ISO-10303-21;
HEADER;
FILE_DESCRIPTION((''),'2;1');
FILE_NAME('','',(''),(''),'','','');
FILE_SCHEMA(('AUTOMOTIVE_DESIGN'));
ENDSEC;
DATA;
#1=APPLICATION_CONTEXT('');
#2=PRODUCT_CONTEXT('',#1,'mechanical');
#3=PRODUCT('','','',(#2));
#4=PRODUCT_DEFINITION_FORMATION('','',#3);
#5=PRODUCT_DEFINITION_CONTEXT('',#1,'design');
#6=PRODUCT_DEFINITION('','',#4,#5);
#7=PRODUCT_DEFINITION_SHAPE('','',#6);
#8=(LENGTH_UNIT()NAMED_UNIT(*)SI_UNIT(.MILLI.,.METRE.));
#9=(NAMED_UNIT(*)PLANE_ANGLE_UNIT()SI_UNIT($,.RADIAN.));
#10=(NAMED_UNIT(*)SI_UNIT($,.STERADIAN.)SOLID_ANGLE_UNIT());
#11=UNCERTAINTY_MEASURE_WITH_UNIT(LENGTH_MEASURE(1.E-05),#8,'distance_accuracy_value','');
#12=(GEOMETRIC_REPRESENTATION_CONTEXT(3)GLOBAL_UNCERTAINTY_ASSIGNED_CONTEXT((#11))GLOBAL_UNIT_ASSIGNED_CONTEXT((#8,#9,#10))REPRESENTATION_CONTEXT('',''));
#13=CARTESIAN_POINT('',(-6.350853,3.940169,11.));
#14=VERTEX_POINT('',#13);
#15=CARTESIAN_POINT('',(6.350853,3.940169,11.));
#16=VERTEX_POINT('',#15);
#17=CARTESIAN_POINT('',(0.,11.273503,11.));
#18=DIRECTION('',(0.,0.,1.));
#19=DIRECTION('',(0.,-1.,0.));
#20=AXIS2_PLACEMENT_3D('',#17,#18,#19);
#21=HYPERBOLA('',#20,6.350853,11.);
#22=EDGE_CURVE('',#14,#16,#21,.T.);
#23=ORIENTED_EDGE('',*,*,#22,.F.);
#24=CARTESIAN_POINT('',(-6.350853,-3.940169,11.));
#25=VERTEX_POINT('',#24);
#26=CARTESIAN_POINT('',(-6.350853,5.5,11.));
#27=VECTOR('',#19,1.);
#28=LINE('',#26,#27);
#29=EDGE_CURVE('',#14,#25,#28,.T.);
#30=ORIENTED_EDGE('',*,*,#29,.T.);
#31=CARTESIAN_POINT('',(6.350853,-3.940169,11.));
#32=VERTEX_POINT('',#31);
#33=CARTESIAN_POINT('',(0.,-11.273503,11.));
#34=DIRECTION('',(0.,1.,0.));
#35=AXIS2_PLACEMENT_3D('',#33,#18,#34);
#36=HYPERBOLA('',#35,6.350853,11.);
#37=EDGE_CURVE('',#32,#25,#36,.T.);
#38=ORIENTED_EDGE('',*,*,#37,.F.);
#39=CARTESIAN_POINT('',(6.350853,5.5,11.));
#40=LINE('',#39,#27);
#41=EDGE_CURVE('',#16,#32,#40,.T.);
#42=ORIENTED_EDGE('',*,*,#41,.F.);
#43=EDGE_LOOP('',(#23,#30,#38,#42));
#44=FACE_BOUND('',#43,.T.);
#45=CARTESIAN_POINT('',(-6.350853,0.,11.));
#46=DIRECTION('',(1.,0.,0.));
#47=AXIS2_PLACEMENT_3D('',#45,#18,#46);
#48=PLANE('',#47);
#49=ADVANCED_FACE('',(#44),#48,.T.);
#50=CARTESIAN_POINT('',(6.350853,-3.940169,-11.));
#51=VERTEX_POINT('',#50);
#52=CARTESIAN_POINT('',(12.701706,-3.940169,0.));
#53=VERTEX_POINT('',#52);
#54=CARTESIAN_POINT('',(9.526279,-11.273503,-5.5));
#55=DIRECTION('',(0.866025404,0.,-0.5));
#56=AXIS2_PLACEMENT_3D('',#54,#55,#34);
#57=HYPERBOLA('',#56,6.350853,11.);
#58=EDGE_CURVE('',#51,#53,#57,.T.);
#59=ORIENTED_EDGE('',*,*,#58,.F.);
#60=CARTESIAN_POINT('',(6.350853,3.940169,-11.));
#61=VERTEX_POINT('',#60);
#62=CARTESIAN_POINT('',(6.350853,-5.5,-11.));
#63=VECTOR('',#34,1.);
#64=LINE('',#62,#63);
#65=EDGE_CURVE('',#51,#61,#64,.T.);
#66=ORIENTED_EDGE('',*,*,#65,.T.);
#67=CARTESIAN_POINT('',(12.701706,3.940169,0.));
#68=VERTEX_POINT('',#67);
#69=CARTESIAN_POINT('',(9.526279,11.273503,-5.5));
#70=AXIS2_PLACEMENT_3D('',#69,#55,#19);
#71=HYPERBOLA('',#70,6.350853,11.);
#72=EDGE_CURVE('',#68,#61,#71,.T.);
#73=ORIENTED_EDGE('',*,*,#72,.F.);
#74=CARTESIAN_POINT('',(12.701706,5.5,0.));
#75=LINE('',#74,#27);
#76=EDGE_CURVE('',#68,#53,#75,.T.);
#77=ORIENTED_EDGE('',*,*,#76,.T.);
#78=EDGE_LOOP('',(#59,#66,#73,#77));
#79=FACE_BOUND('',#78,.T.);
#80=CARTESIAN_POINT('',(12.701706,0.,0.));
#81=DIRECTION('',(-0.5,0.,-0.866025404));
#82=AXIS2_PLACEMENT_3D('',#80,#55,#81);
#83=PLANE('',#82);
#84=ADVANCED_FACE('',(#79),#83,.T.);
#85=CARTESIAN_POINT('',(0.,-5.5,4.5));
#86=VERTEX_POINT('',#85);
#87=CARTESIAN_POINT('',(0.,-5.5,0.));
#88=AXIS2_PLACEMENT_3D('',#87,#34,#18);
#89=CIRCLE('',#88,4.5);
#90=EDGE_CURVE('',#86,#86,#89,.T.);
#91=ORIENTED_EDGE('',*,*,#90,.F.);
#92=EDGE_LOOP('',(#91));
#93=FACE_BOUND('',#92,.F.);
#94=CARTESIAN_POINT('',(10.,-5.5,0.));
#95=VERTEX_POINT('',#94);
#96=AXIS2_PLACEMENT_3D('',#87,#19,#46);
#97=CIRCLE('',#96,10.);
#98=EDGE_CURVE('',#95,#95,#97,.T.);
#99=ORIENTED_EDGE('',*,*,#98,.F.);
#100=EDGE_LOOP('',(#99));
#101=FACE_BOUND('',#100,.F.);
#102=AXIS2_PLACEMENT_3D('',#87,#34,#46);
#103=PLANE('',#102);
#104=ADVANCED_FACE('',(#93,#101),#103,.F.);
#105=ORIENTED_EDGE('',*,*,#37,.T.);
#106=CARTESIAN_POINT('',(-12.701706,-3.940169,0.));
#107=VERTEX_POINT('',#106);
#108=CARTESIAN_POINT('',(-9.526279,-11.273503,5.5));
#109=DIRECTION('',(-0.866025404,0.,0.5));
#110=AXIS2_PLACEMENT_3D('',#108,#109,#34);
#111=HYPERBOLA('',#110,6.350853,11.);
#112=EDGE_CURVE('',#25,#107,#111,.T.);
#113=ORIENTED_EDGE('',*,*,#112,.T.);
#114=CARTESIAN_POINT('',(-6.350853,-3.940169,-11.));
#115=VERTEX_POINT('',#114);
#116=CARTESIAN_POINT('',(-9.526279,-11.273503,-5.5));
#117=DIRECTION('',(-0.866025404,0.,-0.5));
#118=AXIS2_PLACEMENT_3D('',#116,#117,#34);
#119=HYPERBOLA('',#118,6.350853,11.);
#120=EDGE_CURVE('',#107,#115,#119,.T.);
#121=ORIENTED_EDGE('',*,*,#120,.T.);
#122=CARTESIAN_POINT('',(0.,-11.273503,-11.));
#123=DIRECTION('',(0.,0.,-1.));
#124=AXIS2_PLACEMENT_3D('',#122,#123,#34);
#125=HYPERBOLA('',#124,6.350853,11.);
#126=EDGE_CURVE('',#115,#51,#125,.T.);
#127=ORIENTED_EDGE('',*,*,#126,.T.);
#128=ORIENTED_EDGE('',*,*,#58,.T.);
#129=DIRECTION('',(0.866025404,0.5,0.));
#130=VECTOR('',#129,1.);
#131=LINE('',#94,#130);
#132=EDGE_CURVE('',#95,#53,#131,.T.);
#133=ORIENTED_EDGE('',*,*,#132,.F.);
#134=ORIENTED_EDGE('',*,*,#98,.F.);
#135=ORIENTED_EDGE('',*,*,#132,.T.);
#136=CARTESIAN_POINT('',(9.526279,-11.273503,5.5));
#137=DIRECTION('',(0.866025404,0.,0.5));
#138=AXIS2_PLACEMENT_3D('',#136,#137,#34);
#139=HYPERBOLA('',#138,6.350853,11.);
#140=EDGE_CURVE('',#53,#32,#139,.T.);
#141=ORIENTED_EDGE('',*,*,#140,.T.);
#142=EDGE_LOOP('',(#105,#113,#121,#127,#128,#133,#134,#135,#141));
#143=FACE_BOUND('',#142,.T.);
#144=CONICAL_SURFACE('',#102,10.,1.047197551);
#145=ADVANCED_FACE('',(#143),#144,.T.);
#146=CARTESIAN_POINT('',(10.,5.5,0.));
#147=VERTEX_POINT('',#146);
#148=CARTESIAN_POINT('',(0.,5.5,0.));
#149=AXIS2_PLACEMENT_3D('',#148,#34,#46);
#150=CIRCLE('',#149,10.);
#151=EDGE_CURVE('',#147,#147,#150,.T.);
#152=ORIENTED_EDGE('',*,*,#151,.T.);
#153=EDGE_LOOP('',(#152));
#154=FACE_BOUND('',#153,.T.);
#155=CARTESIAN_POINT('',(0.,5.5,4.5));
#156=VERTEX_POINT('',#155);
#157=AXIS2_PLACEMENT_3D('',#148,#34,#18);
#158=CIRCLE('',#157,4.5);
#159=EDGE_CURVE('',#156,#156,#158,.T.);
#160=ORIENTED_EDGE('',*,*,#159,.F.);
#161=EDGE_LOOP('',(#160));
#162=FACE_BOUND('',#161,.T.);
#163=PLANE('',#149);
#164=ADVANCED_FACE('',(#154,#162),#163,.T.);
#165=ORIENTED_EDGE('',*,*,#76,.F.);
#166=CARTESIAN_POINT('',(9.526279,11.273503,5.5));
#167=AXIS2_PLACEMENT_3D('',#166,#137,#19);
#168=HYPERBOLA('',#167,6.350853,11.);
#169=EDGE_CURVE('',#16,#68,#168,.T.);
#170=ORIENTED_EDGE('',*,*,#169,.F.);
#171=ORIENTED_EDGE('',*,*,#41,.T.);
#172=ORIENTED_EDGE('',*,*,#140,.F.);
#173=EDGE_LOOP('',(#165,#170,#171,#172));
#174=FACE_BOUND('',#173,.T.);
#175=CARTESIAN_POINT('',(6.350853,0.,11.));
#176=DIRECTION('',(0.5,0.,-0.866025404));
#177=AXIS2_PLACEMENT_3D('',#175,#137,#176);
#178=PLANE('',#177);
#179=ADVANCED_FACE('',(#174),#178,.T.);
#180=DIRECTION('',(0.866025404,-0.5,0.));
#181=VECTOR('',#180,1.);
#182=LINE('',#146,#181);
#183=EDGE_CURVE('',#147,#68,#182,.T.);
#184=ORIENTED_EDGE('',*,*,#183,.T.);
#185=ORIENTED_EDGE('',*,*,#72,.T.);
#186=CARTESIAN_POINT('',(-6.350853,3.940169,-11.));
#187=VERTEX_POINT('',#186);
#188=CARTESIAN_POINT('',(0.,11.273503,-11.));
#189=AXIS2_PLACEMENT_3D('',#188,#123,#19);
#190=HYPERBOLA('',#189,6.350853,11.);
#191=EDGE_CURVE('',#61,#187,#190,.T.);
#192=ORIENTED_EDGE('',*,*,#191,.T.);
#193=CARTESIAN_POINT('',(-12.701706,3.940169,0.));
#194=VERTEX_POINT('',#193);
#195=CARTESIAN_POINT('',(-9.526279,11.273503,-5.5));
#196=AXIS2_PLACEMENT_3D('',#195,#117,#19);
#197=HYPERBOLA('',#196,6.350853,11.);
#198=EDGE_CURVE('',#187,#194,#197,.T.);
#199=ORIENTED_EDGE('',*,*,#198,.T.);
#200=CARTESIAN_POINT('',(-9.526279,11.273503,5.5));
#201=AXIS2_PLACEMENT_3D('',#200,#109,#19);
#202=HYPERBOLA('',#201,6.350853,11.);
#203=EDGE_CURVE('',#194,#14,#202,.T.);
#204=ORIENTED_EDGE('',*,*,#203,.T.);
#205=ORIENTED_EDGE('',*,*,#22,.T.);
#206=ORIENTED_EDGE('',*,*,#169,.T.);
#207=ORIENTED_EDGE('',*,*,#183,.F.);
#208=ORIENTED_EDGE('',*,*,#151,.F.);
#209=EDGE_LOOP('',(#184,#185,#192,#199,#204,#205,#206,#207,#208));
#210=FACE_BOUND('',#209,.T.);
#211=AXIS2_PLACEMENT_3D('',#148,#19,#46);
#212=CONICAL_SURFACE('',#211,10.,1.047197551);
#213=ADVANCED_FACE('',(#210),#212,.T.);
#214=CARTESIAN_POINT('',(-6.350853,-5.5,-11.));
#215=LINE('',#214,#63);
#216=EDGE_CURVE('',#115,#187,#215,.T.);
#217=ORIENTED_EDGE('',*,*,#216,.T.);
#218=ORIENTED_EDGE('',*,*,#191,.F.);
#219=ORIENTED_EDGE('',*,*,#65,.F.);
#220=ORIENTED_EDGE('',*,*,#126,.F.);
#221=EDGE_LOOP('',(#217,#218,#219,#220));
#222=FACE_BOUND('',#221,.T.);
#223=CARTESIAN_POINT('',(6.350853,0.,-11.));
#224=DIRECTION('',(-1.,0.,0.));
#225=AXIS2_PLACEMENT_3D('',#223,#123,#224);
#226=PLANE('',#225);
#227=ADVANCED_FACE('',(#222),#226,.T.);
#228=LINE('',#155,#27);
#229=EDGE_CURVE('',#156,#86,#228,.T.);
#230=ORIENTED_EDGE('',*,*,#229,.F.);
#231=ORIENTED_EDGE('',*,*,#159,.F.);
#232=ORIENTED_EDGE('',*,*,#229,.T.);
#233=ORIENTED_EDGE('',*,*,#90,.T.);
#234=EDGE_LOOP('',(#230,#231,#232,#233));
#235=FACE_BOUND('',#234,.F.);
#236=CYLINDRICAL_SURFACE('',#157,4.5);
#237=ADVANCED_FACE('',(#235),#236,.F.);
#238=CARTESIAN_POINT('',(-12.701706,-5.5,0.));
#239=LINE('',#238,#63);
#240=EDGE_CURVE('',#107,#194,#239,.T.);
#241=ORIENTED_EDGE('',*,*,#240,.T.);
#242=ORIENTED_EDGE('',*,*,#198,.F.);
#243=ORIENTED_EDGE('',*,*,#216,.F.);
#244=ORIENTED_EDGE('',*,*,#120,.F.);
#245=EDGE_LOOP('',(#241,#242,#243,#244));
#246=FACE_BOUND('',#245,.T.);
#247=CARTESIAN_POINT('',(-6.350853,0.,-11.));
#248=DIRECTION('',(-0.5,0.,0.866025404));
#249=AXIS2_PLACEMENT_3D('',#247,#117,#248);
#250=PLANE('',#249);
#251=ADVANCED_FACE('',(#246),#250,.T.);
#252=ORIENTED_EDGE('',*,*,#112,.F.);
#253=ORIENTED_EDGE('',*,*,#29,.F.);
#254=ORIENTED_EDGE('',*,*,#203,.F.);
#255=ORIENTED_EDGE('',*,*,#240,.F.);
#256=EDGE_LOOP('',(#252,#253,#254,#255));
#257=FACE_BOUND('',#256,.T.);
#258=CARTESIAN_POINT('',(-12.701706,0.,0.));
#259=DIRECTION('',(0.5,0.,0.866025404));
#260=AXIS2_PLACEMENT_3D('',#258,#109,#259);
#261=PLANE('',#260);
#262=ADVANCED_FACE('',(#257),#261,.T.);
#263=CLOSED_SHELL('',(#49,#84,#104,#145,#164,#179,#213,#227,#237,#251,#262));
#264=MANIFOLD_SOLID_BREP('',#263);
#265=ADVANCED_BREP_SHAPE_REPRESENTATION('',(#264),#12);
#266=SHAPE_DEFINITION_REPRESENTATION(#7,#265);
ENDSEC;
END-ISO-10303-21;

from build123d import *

# Parameters (mm, degrees)
SALIENTE_EXTRUIR6_DEPTH = 5.5
CROQUIS6_R              = 4.5
CORTAR_EXTRUIR1_DEPTH   = 11
CROQUIS10_OUTSIDE_W     = 69.118
CROQUIS10_OUTSIDE_H     = 65.714
CROQUIS10_OUTSIDE_R     = 10
CORTAR_EXTRUIR2_DEPTH   = 10
CORTAR_EXTRUIR2_DRAFT   = -60
CROQUIS11_OUTSIDE_W     = 69.118
CROQUIS11_OUTSIDE_H     = 65.714
CROQUIS11_OUTSIDE_R     = 10
CORTAR_EXTRUIR3_DEPTH   = 10
CORTAR_EXTRUIR3_DRAFT   = -60


with BuildPart() as part:
    # Croquis5 → Saliente-Extruir6 (new, symmetric)
    with BuildSketch(Plane(origin=(0, 0, 0), x_dir=(1, 0, 0), z_dir=(0, 1, 0))):
        Polygon((12.701705922, 0), (6.350852961, 11), (-6.350852961, 11), (-12.701705922, 0), (-6.350852961, -11), (6.350852961, -11), align=None)
    extrude(amount=SALIENTE_EXTRUIR6_DEPTH, both=True)

    # Croquis6 → Cortar-Extruir1 (cut)
    with BuildSketch(Plane(origin=(0, 5.5, 0), x_dir=(1, 0, 0), z_dir=(0, 1, 0))):
        with Locations(Location((0, 0, 0), (0, 0, 270))):
            Circle(CROQUIS6_R)
    extrude(amount=-CORTAR_EXTRUIR1_DEPTH, mode=Mode.SUBTRACT)


with BuildPart() as cortar_extruir2_tool:
    # Croquis10 outside → Cortar-Extruir2 (with draft: the straight prism first)
    with BuildSketch(Plane(origin=(0, 5.5, 0), x_dir=(1, 0, 0), z_dir=(0, 1, 0))):
        Rectangle(CROQUIS10_OUTSIDE_W, CROQUIS10_OUTSIDE_H)
        Circle(CROQUIS10_OUTSIDE_R, mode=Mode.SUBTRACT)
    extrude(amount=-CORTAR_EXTRUIR2_DEPTH)
    # Cortar-Extruir2: the draft: its side faces are tilted about the plane it starts from
    cortar_extruir2_sides = [cortar_extruir2_tool.faces().sort_by_distance(p)[0] for p in [
        (0, 0.5, 32.857),
        (34.559, 0.5, 0),
        (0, 0.5, -32.857),
        (-34.559, 0.5, 0),
        (-10, 0.5, 0),
    ]]
    draft(cortar_extruir2_sides, Plane(origin=(0, 5.5, 0), x_dir=(1, 0, 0), z_dir=(0, 1, 0)), CORTAR_EXTRUIR2_DRAFT)


with BuildPart() as part_1:
    add(part.part)

    # Cortar-Extruir2: cut by cortar_extruir2_tool
    add(cortar_extruir2_tool.part, mode=Mode.SUBTRACT)


with BuildPart() as cortar_extruir3_tool:
    # Croquis11 outside → Cortar-Extruir3 (with draft: the straight prism first)
    with BuildSketch(Plane.XZ.offset(5.5)):
        Rectangle(CROQUIS11_OUTSIDE_W, CROQUIS11_OUTSIDE_H)
        Circle(CROQUIS11_OUTSIDE_R, mode=Mode.SUBTRACT)
    extrude(amount=-CORTAR_EXTRUIR3_DEPTH)
    # Cortar-Extruir3: the draft: its side faces are tilted about the plane it starts from
    cortar_extruir3_sides = [cortar_extruir3_tool.faces().sort_by_distance(p)[0] for p in [
        (0, -0.5, -32.857),
        (34.559, -0.5, 0),
        (0, -0.5, 32.857),
        (-34.559, -0.5, 0),
        (-10, -0.5, 0),
    ]]
    draft(cortar_extruir3_sides, Plane.XZ.offset(5.5), CORTAR_EXTRUIR3_DRAFT)


with BuildPart() as part_2:
    add(part_1.part)

    # Cortar-Extruir3: cut by cortar_extruir3_tool
    add(cortar_extruir3_tool.part, mode=Mode.SUBTRACT)


solid = part_2.part
